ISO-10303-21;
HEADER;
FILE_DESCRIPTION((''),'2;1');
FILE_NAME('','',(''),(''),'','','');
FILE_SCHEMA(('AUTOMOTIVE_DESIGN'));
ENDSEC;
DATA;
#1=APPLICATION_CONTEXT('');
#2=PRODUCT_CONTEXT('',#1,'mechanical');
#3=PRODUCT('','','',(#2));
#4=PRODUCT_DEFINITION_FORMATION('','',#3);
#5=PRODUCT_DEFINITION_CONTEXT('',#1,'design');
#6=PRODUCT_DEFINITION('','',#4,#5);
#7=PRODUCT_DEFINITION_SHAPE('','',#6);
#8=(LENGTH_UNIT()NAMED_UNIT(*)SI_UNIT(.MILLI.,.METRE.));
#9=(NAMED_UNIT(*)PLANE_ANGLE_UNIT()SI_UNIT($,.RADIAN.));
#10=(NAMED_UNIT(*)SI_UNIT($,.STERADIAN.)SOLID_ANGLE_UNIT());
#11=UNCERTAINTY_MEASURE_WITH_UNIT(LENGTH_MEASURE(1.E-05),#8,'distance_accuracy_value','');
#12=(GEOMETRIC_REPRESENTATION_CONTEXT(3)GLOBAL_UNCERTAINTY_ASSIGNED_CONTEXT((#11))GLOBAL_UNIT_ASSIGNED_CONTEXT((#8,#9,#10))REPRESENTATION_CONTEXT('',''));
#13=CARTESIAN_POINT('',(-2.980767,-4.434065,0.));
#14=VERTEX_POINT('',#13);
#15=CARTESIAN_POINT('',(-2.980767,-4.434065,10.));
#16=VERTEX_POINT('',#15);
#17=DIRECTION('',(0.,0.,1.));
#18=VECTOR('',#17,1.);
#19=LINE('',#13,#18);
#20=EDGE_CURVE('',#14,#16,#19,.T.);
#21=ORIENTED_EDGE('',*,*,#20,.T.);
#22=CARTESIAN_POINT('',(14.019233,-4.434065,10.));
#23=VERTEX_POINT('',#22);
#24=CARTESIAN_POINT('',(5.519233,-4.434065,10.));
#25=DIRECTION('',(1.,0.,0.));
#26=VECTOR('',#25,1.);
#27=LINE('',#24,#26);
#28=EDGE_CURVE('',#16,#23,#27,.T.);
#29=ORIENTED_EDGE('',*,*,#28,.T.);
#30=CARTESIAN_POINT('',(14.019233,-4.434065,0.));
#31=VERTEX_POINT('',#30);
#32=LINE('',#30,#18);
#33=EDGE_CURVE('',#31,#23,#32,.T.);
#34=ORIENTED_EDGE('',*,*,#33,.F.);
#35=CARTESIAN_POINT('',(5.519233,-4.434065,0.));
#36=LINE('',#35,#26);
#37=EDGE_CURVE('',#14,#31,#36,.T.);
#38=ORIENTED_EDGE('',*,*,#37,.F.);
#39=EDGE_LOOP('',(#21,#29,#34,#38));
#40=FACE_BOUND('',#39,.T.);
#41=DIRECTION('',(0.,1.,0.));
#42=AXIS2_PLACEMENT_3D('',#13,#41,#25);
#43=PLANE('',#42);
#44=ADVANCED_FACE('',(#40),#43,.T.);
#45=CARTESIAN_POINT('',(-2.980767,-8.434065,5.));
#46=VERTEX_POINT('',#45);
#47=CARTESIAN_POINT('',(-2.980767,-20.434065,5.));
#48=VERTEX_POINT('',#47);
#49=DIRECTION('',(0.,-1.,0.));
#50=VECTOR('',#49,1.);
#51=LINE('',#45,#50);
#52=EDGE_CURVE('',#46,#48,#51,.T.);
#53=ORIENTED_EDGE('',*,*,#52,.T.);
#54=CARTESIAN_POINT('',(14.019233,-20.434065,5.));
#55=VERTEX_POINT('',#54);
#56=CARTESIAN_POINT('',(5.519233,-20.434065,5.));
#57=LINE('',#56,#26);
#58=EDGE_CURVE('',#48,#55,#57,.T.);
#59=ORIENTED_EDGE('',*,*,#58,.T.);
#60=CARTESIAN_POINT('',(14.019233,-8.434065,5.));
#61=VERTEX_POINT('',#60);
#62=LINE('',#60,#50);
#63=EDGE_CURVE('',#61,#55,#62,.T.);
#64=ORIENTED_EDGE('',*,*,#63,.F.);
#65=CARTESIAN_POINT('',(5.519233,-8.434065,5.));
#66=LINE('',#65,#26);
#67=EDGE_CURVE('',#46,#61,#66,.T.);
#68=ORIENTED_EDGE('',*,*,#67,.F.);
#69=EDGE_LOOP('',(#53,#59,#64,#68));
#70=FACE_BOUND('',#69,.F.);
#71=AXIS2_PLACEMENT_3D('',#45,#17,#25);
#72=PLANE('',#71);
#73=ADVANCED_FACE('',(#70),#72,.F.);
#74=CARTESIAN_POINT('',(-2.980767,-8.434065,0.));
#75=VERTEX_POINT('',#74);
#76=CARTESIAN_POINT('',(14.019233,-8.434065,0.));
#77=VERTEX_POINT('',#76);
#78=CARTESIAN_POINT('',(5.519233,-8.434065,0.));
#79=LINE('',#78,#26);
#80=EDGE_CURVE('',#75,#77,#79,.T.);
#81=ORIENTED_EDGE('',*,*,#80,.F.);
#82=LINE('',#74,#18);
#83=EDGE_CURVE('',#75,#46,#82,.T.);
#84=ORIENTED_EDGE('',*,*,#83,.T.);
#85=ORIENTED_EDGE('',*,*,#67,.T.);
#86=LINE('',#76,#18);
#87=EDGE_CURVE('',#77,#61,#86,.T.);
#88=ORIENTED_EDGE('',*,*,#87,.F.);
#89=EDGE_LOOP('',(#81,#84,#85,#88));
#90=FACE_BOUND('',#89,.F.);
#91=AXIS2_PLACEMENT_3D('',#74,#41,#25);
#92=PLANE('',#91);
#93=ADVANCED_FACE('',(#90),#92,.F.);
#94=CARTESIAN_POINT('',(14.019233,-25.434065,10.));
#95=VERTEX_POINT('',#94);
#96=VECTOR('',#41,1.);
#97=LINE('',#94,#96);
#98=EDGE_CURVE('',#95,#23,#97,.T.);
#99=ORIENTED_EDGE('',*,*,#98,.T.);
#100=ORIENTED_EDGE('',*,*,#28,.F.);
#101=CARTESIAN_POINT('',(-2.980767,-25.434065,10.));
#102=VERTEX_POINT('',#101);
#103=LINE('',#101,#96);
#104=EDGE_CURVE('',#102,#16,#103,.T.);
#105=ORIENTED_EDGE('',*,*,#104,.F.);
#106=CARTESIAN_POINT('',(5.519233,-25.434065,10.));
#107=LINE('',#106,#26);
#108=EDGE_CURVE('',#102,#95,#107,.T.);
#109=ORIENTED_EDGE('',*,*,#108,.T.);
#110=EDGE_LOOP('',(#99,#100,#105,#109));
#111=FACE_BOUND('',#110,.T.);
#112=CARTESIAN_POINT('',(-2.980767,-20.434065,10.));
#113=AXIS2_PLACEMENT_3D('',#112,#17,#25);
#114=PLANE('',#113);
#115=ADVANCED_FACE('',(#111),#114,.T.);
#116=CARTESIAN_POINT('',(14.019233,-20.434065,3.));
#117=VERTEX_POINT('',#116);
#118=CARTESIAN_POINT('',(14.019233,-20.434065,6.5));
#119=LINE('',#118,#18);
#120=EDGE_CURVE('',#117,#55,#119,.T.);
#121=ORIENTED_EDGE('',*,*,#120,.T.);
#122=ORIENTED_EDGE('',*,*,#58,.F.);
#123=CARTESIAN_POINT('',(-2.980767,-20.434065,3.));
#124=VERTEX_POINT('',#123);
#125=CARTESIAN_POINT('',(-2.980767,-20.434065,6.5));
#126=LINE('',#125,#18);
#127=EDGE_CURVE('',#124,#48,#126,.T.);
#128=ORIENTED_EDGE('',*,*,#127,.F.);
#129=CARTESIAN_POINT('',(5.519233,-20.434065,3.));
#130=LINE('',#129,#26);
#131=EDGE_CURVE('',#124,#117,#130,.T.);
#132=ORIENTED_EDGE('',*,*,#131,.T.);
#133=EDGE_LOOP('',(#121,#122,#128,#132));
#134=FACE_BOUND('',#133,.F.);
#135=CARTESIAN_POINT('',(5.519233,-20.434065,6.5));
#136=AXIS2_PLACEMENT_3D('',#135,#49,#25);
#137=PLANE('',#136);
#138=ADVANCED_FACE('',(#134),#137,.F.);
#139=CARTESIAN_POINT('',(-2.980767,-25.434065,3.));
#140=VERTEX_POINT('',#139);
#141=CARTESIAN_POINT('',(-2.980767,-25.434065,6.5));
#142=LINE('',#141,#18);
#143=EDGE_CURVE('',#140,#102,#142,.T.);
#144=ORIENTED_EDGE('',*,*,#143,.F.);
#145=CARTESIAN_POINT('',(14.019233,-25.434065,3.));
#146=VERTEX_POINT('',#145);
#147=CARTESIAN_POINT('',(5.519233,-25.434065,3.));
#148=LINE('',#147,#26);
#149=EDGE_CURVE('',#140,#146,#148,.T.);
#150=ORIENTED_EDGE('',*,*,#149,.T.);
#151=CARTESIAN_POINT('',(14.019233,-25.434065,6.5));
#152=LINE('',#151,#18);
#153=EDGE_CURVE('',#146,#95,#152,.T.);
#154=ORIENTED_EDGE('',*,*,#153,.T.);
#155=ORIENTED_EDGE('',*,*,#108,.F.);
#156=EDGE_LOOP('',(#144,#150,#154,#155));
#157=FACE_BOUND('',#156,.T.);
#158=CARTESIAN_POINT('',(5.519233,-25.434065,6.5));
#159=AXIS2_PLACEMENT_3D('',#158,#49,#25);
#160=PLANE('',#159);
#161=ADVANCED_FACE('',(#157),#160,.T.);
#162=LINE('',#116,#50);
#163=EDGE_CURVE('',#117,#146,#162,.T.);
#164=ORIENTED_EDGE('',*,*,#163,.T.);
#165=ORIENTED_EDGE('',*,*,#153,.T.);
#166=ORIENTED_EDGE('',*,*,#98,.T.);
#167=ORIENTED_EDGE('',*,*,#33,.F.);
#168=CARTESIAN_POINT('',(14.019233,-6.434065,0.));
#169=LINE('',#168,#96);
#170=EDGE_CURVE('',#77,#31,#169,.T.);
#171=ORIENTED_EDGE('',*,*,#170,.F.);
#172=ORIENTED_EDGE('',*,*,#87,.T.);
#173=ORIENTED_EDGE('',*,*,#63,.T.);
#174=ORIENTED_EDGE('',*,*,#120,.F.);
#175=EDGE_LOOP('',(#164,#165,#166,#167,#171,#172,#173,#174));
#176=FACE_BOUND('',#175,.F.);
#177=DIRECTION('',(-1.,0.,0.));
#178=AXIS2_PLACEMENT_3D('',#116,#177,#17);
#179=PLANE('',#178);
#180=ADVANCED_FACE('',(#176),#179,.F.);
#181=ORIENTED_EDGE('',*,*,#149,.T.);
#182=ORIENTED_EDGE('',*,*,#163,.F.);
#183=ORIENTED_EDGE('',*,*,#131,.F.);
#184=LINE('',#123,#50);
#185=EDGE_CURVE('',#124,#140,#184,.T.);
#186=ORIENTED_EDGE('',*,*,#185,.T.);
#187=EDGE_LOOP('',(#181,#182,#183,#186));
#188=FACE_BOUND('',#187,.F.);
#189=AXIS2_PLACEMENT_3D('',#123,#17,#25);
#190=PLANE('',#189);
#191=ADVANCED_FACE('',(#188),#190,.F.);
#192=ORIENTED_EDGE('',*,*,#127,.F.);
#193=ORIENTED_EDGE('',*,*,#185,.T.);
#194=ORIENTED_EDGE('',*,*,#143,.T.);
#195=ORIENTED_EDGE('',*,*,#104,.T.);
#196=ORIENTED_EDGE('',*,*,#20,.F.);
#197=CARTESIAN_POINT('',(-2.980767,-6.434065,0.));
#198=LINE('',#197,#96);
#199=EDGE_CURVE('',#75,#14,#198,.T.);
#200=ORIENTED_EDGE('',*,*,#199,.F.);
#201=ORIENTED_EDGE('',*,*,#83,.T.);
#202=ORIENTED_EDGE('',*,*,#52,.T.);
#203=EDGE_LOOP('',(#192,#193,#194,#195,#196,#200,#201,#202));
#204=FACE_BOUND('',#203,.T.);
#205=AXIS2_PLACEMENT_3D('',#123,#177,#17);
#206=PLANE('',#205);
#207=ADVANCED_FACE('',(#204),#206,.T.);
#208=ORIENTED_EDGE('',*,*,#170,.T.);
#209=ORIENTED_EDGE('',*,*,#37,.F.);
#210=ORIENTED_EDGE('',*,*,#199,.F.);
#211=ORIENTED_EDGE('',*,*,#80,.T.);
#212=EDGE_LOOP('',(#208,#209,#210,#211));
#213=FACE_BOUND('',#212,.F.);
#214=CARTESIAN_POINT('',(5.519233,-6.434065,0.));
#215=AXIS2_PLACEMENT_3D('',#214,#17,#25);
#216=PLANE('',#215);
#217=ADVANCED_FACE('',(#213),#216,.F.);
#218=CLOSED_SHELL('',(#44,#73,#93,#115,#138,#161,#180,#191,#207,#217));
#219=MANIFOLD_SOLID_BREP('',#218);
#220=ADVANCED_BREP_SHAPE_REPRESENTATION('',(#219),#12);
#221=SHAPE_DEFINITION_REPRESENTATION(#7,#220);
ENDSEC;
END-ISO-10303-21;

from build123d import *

# Parameters (mm, degrees)
F0_W     = 17
F0_H     = 4
F1_DEPTH = 10
F2_W     = 17
F2_H     = 5
F3_DEPTH = 12
F4_W     = 17
F4_H     = 7
F5_DEPTH = 5


with BuildPart() as f1:
    # F0 (on Top) → F1 (new body)
    with BuildSketch(Plane.XY):
        with Locations((5.519233, -6.434065)):
            Rectangle(F0_W, F0_H)
    extrude(amount=F1_DEPTH)

    # F2 (on face) → F3 (join)
    with BuildSketch(Plane.XZ.offset(8.434065)):
        with Locations((5.519233, 7.5)):
            Rectangle(F2_W, F2_H)
    extrude(amount=F3_DEPTH)

    # F4 (on face) → F5 (join)
    with BuildSketch(Plane.XZ.offset(20.434065)):
        with Locations((5.519233, 6.5)):
            Rectangle(F4_W, F4_H)
    extrude(amount=F5_DEPTH)


solid = f1.part
